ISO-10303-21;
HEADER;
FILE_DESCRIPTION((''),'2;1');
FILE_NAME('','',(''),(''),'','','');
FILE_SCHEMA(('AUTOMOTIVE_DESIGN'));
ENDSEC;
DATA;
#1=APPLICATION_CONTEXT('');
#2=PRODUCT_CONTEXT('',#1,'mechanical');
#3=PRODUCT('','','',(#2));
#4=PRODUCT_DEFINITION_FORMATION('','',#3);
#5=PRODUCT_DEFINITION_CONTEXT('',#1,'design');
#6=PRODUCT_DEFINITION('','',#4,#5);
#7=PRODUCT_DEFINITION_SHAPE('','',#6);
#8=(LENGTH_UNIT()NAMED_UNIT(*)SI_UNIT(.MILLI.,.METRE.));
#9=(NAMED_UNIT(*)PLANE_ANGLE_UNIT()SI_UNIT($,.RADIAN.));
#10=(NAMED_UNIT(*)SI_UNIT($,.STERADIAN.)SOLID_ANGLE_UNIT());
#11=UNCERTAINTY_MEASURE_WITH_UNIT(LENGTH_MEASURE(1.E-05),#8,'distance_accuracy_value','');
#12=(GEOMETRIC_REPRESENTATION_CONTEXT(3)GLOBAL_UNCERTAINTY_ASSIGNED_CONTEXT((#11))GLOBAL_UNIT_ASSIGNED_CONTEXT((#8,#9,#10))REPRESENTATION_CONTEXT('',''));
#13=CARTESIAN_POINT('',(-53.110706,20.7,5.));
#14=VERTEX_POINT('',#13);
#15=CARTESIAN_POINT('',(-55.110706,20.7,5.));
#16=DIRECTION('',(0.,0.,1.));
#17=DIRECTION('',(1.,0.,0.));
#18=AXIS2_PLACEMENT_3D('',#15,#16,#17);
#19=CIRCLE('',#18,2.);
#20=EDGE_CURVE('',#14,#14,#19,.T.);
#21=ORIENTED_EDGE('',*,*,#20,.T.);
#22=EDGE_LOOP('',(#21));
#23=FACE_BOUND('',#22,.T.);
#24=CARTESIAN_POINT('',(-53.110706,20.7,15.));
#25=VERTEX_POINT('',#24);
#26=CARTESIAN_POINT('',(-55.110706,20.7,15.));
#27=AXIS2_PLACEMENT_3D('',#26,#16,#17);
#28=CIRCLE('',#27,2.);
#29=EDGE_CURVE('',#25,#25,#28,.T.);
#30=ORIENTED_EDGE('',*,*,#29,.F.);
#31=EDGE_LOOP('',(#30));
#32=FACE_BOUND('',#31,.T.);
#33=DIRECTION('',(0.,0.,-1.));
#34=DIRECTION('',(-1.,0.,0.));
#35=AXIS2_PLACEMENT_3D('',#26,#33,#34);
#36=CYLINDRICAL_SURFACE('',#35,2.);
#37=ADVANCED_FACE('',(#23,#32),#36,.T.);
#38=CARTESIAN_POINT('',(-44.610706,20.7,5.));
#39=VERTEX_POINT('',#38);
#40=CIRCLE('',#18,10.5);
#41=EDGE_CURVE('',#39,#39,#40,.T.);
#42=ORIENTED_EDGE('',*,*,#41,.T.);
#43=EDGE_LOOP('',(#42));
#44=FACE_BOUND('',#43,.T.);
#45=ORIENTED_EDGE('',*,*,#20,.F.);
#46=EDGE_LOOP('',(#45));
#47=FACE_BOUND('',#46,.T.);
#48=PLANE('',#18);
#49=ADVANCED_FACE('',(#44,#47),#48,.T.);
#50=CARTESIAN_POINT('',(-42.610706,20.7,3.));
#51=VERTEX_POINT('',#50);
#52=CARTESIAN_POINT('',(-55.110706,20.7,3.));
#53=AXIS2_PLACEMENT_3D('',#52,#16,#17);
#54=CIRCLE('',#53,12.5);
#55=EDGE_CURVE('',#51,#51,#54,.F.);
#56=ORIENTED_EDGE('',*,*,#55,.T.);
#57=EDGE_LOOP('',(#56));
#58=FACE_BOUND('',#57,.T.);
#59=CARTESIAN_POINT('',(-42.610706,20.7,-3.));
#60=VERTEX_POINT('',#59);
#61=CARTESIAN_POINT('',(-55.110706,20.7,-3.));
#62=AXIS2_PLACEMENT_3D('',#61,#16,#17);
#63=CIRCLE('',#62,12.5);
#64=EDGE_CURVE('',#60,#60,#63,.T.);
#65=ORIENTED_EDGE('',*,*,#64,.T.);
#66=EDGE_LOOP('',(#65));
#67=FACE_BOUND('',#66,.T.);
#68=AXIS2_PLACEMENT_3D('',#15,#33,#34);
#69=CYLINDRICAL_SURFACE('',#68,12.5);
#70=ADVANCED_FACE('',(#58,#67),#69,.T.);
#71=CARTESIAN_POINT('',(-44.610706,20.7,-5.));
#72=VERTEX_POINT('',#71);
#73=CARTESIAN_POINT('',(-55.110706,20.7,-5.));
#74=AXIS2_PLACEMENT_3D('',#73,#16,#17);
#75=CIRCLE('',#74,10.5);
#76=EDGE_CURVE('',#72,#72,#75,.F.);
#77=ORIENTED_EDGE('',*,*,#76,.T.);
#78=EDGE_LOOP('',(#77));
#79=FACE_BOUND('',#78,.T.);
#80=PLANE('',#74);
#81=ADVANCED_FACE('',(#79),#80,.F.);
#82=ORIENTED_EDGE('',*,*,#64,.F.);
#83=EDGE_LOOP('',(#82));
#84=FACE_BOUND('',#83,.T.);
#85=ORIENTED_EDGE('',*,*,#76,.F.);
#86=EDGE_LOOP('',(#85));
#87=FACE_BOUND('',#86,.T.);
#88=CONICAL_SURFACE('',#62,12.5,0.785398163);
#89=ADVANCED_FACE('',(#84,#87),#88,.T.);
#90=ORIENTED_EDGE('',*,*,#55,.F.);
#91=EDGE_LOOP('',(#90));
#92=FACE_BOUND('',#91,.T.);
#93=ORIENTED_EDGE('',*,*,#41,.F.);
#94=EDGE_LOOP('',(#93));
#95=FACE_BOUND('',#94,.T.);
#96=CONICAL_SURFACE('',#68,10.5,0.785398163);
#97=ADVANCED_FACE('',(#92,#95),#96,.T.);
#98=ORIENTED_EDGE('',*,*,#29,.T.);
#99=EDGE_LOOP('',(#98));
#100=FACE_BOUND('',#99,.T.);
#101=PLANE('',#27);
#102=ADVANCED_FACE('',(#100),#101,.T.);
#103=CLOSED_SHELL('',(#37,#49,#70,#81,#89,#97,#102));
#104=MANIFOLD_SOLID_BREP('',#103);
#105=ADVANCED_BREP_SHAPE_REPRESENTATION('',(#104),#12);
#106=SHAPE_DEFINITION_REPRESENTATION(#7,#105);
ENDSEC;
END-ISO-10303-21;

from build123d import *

# Parameters (mm, degrees)
SKETCH1_R           = 12.5
BOSS_EXTRUDE1_DEPTH = 5
CHAMFER1_SIZE       = 2
SKETCH2_R           = 2
BOSS_EXTRUDE2_DEPTH = 10


with BuildPart() as part:
    # Sketch1 → Boss-Extrude1 (new, symmetric)
    with BuildSketch(Plane.XY):
        with Locations((-55.110705908, 20.7)):
            Circle(SKETCH1_R)
    extrude(amount=BOSS_EXTRUDE1_DEPTH, both=True)

    # Chamfer1
    chamfer1_edges = [part.edges().sort_by_distance(p)[0] for p in [
        (-67.610705908, 20.7, -5),
        (-67.610705908, 20.7, 5),
    ]]
    chamfer(chamfer1_edges, length=CHAMFER1_SIZE)

    # Sketch2 → Boss-Extrude2 (add)
    with BuildSketch(Plane.XY.offset(5)):
        with Locations((-55.110705908, 20.7)):
            Circle(SKETCH2_R)
    extrude(amount=BOSS_EXTRUDE2_DEPTH)


solid = part.part
